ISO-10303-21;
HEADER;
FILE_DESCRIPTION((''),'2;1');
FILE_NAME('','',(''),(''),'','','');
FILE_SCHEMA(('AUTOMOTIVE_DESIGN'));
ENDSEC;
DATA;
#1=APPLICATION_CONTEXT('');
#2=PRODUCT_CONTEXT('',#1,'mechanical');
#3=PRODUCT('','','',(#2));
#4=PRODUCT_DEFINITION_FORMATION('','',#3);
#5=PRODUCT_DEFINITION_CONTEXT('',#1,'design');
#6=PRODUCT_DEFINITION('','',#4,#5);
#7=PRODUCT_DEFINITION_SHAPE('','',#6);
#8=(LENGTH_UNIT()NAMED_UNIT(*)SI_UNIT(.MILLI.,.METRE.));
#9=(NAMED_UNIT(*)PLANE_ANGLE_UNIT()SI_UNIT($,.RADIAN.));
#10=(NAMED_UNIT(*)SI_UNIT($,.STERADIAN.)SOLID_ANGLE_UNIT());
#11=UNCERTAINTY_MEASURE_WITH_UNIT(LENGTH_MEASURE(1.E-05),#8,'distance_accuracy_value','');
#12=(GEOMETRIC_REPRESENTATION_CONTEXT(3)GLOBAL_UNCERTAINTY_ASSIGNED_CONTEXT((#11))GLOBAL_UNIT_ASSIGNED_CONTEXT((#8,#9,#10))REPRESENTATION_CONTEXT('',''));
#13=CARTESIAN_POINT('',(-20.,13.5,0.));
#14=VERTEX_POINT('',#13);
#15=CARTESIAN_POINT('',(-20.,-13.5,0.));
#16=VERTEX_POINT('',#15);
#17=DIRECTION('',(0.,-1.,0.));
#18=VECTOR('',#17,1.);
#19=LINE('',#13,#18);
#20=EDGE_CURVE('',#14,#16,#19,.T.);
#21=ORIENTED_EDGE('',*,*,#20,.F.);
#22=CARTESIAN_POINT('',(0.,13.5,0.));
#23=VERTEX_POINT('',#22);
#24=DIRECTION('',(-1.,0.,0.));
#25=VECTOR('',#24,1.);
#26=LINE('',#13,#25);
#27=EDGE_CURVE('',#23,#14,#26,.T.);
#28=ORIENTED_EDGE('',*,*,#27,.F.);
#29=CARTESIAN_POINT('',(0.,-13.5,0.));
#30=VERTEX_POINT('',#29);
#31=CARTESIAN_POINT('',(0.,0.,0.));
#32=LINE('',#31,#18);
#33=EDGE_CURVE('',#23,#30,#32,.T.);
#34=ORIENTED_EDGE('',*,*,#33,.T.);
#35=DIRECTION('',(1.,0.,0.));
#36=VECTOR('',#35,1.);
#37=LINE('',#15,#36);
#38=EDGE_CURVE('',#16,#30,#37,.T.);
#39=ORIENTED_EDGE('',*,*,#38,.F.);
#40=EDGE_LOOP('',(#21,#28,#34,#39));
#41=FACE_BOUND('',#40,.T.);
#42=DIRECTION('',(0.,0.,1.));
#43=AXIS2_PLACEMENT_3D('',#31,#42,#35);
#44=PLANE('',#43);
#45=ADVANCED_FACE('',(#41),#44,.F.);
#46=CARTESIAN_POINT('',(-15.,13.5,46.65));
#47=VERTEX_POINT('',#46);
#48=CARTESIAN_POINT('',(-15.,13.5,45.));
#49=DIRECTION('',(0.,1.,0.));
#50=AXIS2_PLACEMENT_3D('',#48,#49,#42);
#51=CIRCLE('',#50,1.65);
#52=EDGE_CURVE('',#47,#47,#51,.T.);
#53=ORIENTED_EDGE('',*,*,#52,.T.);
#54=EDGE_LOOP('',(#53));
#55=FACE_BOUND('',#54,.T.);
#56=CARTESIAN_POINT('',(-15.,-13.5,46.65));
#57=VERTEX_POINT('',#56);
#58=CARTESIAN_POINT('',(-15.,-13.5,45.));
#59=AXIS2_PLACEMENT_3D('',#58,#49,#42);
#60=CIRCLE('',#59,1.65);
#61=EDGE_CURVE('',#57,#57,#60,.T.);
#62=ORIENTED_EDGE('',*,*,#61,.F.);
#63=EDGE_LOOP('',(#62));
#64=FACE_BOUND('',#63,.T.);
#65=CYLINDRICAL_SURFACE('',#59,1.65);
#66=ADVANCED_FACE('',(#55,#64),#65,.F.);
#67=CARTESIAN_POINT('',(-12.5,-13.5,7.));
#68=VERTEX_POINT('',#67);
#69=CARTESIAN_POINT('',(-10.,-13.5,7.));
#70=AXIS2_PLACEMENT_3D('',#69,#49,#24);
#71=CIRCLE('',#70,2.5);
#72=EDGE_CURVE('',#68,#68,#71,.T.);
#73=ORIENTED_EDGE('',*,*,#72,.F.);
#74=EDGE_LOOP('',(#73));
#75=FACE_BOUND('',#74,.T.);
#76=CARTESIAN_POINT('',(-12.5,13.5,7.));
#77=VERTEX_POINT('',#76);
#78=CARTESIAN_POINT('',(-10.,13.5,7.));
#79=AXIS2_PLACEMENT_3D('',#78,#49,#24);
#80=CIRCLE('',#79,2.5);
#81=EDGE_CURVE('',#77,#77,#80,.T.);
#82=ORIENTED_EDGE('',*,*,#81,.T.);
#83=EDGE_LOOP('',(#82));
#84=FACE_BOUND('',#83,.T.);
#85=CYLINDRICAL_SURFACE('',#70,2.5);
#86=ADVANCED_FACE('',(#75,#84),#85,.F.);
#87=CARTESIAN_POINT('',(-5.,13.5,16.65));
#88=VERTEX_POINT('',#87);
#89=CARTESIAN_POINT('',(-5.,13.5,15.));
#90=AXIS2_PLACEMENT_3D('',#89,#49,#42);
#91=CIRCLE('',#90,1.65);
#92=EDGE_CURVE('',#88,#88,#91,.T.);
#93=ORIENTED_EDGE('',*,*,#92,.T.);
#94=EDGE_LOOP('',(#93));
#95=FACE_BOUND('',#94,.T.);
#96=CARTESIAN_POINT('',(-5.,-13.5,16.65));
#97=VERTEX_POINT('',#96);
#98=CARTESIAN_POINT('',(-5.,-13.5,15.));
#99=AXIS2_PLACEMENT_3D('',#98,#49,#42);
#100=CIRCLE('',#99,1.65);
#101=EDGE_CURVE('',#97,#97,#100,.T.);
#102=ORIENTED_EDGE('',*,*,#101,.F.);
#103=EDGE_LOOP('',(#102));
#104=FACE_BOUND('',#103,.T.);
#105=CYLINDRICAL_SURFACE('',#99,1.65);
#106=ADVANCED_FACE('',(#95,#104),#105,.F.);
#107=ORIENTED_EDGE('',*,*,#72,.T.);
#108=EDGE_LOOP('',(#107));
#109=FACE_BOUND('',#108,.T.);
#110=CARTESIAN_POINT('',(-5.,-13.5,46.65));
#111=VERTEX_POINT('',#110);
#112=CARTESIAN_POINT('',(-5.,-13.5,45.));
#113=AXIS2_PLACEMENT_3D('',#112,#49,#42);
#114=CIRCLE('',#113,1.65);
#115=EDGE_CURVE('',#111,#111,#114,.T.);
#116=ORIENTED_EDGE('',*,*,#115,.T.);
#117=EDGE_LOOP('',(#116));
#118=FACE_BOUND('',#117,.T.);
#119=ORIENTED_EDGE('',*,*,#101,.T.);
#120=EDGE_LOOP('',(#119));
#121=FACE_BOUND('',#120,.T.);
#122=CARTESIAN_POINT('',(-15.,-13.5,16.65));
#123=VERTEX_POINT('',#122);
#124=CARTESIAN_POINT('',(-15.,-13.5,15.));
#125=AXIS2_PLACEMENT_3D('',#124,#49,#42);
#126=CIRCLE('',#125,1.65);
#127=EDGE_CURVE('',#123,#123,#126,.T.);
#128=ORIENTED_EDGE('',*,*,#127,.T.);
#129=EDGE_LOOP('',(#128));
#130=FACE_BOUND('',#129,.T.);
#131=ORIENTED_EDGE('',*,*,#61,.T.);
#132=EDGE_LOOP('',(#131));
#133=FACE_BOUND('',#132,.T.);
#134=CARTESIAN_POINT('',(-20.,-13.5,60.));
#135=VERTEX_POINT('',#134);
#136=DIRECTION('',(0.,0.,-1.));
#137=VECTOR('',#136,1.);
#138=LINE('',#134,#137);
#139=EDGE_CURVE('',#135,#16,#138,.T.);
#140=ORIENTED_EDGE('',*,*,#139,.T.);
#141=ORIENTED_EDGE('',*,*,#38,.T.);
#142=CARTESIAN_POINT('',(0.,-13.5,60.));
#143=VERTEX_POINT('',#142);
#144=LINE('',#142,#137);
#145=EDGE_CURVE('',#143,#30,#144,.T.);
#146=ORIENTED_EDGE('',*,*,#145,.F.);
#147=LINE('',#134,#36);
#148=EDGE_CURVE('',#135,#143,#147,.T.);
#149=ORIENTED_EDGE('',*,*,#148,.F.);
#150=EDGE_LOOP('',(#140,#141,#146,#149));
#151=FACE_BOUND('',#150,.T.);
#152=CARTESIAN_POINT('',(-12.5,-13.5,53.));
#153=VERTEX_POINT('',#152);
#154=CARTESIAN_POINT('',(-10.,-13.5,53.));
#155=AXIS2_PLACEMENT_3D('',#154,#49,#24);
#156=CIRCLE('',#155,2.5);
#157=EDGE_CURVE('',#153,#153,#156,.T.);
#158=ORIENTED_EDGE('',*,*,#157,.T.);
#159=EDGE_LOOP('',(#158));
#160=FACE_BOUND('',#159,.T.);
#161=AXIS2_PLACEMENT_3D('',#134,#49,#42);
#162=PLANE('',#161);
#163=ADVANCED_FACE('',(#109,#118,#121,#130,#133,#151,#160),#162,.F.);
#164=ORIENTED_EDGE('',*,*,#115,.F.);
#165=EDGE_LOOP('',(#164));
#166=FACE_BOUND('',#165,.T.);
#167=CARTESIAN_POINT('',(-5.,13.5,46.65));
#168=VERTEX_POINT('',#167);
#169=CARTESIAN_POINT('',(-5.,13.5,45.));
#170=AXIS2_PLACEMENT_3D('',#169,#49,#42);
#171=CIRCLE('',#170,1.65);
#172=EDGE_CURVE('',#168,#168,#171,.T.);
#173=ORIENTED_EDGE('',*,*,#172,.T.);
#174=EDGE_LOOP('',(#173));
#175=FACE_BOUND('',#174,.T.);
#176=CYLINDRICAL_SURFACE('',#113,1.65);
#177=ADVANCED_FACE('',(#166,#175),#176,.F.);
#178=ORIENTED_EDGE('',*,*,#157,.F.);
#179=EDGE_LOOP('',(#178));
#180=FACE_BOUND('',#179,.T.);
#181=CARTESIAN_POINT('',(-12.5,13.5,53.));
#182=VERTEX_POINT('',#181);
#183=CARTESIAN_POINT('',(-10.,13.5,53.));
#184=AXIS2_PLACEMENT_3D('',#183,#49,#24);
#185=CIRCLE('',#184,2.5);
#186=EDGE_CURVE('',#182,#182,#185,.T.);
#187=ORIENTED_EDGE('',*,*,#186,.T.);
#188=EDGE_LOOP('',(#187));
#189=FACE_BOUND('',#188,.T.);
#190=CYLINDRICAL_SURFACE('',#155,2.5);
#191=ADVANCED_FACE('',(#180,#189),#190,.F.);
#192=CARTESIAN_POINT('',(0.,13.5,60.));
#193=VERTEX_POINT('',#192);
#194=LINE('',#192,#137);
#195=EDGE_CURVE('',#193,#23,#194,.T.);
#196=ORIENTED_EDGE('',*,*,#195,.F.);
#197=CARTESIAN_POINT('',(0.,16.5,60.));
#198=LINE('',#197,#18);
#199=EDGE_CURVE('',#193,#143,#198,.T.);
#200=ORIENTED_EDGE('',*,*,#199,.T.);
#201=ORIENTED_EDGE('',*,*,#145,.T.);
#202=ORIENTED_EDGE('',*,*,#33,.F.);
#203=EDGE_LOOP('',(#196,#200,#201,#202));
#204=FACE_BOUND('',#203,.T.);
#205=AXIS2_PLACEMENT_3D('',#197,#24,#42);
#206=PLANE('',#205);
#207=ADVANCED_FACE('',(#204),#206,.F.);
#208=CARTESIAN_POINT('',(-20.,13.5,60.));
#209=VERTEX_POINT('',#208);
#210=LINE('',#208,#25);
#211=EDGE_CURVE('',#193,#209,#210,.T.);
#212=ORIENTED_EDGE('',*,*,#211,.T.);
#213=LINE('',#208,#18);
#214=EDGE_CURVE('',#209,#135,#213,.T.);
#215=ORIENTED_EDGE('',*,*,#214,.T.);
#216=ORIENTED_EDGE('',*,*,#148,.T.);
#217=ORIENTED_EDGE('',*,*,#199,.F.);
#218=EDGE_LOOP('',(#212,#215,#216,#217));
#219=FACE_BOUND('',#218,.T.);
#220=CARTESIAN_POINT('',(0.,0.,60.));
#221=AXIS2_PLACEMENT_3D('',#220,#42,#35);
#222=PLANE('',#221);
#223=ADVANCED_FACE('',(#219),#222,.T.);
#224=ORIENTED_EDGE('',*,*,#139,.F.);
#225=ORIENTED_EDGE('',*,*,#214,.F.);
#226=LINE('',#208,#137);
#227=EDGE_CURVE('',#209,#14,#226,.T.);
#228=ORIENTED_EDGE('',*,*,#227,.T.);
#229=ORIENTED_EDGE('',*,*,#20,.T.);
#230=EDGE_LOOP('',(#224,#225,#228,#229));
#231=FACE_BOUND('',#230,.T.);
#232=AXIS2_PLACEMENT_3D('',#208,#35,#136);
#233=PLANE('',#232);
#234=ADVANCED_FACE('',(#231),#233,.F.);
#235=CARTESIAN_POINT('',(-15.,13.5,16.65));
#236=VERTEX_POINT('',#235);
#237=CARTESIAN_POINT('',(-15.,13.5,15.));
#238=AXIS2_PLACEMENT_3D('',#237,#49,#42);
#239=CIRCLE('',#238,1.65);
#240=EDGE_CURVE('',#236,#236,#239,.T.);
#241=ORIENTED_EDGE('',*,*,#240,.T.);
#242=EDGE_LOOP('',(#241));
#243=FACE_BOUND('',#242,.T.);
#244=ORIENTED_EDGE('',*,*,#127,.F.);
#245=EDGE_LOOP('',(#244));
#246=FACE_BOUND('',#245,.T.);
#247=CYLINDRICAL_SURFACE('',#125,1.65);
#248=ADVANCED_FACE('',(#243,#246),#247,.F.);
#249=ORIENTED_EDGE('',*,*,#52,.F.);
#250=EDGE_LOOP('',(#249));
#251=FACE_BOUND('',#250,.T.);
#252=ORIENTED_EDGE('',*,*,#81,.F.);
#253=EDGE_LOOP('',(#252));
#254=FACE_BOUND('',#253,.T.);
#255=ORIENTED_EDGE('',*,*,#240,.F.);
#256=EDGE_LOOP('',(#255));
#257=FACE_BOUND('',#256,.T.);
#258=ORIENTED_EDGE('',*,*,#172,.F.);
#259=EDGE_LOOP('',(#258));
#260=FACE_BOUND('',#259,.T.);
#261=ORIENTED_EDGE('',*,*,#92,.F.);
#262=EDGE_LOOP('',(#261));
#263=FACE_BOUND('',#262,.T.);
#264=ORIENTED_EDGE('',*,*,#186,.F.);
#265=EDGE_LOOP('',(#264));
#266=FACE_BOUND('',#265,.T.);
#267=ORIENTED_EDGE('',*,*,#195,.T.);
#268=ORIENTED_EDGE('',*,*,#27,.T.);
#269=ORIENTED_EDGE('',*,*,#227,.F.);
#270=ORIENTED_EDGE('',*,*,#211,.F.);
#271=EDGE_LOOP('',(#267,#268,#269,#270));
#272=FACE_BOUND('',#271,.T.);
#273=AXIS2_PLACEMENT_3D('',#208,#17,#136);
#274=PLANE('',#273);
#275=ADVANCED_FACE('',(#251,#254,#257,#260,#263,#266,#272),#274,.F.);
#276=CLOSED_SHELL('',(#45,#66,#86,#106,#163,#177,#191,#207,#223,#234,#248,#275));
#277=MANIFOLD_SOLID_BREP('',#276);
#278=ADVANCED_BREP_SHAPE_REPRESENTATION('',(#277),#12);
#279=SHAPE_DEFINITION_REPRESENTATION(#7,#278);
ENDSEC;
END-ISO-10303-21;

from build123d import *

# Parameters (mm, degrees)
SKETCH_1_W             = 40
SKETCH_1_H             = 27
EXTRUDE_1_DEPTH        = 60
SKETCH_2_R             = 2.5
CUT_EXTRUDE_1_DEPTH    = 27
PATTERN_LINEAR_1_COUNT = 2
PATTERN_LINEAR_1_PITCH = 46
SKETCH_4_R             = 1.65
CUT_EXTRUDE_3_DEPTH    = 27
SKETCH_5_W             = 20
SKETCH_5_H             = 60
CUT_EXTRUDE_4_DEPTH    = 30
PATTERN_LINEAR_2_COUNT = 2
PATTERN_LINEAR_2_PITCH = 10


with BuildPart() as part:
    # Эскиз1 → Бобышка-Вытянуть1 (new body)
    with BuildSketch(Plane.XY):
        Rectangle(SKETCH_1_W, SKETCH_1_H)
    extrude(amount=EXTRUDE_1_DEPTH)

    # Эскиз2 → Вырез-Вытянуть1 (cut)
    with BuildSketch(Plane(origin=(0, 13.5, 0), x_dir=(1, 0, 0), z_dir=(0, 1, 0))):
        with Locations(Location((-10, -7, 0), (0, 0, 180))):
            Circle(SKETCH_2_R)
    cut_extrude_1 = extrude(amount=-CUT_EXTRUDE_1_DEPTH, mode=Mode.SUBTRACT)

    # Линейный массив1: Вырез-Вытянуть1 ×2
    with Locations(*[(0, 0, i * PATTERN_LINEAR_1_PITCH) for i in range(1, PATTERN_LINEAR_1_COUNT)]):
        add(cut_extrude_1, mode=Mode.SUBTRACT)

    # Эскиз4 → Вырез-Вытянуть3 (cut)
    with BuildSketch(Plane(origin=(0, 13.5, 0), x_dir=(1, 0, 0), z_dir=(0, 1, 0))):
        with Locations(Location((-15, -15, 0), (0, 0, 270))):
            Circle(SKETCH_4_R)
        with Locations(Location((-15, -45, 0), (0, 0, 270))):
            Circle(SKETCH_4_R)
    cut_extrude_3 = extrude(amount=-CUT_EXTRUDE_3_DEPTH, mode=Mode.SUBTRACT)

    # Эскиз5 → Вырез-Вытянуть4 (cut)
    with BuildSketch(Plane.XZ.offset(13.5)):
        with Locations((10, 30)):
            Rectangle(SKETCH_5_W, SKETCH_5_H)
    extrude(amount=-CUT_EXTRUDE_4_DEPTH, mode=Mode.SUBTRACT)

    # Линейный массив2: Вырез-Вытянуть3 ×2
    with Locations(*[(i * PATTERN_LINEAR_2_PITCH, 0, 0) for i in range(1, PATTERN_LINEAR_2_COUNT)]):
        add(cut_extrude_3, mode=Mode.SUBTRACT)


solid = part.part
